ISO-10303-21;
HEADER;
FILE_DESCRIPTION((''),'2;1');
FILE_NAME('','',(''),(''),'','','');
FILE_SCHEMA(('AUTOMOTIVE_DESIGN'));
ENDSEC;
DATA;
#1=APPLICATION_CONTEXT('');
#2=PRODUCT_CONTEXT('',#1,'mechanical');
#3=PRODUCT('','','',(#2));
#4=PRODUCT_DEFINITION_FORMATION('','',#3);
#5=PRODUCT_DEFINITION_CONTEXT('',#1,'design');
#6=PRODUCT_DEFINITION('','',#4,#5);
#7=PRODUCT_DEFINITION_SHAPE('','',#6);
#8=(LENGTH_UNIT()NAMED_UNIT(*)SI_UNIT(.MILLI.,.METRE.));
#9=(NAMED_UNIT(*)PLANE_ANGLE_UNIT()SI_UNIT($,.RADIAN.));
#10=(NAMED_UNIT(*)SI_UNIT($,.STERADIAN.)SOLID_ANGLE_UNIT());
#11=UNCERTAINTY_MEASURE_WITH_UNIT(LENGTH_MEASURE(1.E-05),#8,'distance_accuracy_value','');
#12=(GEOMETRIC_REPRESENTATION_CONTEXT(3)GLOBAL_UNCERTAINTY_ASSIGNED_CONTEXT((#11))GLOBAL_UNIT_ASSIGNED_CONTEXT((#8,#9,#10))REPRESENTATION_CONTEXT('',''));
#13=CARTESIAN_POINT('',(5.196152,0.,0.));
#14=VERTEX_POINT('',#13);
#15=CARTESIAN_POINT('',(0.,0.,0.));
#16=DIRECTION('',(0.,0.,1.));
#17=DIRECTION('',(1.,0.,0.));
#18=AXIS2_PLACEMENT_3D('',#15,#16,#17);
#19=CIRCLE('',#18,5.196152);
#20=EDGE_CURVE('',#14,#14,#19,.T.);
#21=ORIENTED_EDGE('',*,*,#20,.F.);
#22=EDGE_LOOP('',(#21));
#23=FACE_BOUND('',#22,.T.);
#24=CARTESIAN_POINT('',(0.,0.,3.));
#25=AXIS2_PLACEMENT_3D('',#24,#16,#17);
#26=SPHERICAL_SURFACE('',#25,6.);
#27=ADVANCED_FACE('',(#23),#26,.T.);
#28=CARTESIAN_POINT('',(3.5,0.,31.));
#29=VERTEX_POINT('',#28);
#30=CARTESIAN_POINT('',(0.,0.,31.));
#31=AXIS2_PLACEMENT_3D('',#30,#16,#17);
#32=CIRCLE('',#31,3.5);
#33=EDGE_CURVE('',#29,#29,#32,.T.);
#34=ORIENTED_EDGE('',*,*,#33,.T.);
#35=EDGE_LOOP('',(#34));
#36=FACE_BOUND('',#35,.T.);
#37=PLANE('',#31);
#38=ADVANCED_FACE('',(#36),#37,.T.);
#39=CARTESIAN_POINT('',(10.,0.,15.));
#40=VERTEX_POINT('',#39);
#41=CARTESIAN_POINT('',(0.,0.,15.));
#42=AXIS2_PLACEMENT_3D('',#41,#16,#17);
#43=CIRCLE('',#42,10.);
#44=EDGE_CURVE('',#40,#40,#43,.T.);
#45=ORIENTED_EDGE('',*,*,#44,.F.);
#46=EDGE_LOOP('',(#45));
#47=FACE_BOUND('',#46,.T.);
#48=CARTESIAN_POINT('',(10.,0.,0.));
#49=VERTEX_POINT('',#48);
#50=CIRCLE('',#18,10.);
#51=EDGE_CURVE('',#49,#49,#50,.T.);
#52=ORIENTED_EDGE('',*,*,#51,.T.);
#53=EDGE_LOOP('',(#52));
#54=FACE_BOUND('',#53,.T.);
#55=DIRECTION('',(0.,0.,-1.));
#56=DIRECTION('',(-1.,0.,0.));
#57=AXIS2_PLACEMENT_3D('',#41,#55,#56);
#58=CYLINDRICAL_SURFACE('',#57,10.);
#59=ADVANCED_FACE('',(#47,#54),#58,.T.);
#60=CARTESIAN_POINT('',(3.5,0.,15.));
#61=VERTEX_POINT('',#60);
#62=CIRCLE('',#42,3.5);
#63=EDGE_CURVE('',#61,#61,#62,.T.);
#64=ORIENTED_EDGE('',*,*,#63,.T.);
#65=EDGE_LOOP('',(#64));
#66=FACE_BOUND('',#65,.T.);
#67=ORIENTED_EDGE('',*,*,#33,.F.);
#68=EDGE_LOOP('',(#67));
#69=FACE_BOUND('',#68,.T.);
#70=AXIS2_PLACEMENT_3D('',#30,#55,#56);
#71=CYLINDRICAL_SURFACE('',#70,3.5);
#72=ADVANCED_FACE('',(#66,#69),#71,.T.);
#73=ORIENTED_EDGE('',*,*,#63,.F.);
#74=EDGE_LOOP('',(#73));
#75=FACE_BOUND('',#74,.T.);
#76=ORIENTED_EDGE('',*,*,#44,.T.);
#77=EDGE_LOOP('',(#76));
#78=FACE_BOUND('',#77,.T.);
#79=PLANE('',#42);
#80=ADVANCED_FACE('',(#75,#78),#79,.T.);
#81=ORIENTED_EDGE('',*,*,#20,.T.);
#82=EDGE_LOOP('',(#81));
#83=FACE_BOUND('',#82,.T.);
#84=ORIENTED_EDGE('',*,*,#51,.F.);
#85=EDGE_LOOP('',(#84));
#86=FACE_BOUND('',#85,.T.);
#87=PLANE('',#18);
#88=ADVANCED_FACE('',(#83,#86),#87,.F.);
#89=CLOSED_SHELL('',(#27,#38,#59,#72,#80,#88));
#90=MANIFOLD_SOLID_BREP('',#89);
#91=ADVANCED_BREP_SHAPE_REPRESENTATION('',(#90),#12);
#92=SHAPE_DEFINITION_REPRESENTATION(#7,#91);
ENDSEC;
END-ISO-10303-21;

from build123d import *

# Parameters (mm, degrees)
ESQUISSE1_R        = 10
BOSS_EXTRU_1_DEPTH = 15
ESQUISSE2_R        = 3.5
BOSS_EXTRU_2_DEPTH = 16


with BuildPart() as part:
    # Esquisse1 → Boss.-Extru.1 (new body)
    with BuildSketch(Plane.XY):
        Circle(ESQUISSE1_R)
    extrude(amount=BOSS_EXTRU_1_DEPTH)

    # Esquisse2 → Boss.-Extru.2 (add)
    with BuildSketch(Plane.XY.offset(15)):
        Circle(ESQUISSE2_R)
    extrude(amount=BOSS_EXTRU_2_DEPTH)

    # Esquisse3 → Révolution1 (revolve)
    with BuildSketch(Plane(origin=(0, 0, 0), x_dir=(1, 0, 0), z_dir=(0, 1, 0))):
        with BuildLine():
            Line((0, 3), (0, -9))
            ThreePointArc((0, -9), (6, -3), (0, 3))
        make_face()
    revolve(axis=Axis((0, 0, 34.789870501), (0, 0, -1)))


solid = part.part
